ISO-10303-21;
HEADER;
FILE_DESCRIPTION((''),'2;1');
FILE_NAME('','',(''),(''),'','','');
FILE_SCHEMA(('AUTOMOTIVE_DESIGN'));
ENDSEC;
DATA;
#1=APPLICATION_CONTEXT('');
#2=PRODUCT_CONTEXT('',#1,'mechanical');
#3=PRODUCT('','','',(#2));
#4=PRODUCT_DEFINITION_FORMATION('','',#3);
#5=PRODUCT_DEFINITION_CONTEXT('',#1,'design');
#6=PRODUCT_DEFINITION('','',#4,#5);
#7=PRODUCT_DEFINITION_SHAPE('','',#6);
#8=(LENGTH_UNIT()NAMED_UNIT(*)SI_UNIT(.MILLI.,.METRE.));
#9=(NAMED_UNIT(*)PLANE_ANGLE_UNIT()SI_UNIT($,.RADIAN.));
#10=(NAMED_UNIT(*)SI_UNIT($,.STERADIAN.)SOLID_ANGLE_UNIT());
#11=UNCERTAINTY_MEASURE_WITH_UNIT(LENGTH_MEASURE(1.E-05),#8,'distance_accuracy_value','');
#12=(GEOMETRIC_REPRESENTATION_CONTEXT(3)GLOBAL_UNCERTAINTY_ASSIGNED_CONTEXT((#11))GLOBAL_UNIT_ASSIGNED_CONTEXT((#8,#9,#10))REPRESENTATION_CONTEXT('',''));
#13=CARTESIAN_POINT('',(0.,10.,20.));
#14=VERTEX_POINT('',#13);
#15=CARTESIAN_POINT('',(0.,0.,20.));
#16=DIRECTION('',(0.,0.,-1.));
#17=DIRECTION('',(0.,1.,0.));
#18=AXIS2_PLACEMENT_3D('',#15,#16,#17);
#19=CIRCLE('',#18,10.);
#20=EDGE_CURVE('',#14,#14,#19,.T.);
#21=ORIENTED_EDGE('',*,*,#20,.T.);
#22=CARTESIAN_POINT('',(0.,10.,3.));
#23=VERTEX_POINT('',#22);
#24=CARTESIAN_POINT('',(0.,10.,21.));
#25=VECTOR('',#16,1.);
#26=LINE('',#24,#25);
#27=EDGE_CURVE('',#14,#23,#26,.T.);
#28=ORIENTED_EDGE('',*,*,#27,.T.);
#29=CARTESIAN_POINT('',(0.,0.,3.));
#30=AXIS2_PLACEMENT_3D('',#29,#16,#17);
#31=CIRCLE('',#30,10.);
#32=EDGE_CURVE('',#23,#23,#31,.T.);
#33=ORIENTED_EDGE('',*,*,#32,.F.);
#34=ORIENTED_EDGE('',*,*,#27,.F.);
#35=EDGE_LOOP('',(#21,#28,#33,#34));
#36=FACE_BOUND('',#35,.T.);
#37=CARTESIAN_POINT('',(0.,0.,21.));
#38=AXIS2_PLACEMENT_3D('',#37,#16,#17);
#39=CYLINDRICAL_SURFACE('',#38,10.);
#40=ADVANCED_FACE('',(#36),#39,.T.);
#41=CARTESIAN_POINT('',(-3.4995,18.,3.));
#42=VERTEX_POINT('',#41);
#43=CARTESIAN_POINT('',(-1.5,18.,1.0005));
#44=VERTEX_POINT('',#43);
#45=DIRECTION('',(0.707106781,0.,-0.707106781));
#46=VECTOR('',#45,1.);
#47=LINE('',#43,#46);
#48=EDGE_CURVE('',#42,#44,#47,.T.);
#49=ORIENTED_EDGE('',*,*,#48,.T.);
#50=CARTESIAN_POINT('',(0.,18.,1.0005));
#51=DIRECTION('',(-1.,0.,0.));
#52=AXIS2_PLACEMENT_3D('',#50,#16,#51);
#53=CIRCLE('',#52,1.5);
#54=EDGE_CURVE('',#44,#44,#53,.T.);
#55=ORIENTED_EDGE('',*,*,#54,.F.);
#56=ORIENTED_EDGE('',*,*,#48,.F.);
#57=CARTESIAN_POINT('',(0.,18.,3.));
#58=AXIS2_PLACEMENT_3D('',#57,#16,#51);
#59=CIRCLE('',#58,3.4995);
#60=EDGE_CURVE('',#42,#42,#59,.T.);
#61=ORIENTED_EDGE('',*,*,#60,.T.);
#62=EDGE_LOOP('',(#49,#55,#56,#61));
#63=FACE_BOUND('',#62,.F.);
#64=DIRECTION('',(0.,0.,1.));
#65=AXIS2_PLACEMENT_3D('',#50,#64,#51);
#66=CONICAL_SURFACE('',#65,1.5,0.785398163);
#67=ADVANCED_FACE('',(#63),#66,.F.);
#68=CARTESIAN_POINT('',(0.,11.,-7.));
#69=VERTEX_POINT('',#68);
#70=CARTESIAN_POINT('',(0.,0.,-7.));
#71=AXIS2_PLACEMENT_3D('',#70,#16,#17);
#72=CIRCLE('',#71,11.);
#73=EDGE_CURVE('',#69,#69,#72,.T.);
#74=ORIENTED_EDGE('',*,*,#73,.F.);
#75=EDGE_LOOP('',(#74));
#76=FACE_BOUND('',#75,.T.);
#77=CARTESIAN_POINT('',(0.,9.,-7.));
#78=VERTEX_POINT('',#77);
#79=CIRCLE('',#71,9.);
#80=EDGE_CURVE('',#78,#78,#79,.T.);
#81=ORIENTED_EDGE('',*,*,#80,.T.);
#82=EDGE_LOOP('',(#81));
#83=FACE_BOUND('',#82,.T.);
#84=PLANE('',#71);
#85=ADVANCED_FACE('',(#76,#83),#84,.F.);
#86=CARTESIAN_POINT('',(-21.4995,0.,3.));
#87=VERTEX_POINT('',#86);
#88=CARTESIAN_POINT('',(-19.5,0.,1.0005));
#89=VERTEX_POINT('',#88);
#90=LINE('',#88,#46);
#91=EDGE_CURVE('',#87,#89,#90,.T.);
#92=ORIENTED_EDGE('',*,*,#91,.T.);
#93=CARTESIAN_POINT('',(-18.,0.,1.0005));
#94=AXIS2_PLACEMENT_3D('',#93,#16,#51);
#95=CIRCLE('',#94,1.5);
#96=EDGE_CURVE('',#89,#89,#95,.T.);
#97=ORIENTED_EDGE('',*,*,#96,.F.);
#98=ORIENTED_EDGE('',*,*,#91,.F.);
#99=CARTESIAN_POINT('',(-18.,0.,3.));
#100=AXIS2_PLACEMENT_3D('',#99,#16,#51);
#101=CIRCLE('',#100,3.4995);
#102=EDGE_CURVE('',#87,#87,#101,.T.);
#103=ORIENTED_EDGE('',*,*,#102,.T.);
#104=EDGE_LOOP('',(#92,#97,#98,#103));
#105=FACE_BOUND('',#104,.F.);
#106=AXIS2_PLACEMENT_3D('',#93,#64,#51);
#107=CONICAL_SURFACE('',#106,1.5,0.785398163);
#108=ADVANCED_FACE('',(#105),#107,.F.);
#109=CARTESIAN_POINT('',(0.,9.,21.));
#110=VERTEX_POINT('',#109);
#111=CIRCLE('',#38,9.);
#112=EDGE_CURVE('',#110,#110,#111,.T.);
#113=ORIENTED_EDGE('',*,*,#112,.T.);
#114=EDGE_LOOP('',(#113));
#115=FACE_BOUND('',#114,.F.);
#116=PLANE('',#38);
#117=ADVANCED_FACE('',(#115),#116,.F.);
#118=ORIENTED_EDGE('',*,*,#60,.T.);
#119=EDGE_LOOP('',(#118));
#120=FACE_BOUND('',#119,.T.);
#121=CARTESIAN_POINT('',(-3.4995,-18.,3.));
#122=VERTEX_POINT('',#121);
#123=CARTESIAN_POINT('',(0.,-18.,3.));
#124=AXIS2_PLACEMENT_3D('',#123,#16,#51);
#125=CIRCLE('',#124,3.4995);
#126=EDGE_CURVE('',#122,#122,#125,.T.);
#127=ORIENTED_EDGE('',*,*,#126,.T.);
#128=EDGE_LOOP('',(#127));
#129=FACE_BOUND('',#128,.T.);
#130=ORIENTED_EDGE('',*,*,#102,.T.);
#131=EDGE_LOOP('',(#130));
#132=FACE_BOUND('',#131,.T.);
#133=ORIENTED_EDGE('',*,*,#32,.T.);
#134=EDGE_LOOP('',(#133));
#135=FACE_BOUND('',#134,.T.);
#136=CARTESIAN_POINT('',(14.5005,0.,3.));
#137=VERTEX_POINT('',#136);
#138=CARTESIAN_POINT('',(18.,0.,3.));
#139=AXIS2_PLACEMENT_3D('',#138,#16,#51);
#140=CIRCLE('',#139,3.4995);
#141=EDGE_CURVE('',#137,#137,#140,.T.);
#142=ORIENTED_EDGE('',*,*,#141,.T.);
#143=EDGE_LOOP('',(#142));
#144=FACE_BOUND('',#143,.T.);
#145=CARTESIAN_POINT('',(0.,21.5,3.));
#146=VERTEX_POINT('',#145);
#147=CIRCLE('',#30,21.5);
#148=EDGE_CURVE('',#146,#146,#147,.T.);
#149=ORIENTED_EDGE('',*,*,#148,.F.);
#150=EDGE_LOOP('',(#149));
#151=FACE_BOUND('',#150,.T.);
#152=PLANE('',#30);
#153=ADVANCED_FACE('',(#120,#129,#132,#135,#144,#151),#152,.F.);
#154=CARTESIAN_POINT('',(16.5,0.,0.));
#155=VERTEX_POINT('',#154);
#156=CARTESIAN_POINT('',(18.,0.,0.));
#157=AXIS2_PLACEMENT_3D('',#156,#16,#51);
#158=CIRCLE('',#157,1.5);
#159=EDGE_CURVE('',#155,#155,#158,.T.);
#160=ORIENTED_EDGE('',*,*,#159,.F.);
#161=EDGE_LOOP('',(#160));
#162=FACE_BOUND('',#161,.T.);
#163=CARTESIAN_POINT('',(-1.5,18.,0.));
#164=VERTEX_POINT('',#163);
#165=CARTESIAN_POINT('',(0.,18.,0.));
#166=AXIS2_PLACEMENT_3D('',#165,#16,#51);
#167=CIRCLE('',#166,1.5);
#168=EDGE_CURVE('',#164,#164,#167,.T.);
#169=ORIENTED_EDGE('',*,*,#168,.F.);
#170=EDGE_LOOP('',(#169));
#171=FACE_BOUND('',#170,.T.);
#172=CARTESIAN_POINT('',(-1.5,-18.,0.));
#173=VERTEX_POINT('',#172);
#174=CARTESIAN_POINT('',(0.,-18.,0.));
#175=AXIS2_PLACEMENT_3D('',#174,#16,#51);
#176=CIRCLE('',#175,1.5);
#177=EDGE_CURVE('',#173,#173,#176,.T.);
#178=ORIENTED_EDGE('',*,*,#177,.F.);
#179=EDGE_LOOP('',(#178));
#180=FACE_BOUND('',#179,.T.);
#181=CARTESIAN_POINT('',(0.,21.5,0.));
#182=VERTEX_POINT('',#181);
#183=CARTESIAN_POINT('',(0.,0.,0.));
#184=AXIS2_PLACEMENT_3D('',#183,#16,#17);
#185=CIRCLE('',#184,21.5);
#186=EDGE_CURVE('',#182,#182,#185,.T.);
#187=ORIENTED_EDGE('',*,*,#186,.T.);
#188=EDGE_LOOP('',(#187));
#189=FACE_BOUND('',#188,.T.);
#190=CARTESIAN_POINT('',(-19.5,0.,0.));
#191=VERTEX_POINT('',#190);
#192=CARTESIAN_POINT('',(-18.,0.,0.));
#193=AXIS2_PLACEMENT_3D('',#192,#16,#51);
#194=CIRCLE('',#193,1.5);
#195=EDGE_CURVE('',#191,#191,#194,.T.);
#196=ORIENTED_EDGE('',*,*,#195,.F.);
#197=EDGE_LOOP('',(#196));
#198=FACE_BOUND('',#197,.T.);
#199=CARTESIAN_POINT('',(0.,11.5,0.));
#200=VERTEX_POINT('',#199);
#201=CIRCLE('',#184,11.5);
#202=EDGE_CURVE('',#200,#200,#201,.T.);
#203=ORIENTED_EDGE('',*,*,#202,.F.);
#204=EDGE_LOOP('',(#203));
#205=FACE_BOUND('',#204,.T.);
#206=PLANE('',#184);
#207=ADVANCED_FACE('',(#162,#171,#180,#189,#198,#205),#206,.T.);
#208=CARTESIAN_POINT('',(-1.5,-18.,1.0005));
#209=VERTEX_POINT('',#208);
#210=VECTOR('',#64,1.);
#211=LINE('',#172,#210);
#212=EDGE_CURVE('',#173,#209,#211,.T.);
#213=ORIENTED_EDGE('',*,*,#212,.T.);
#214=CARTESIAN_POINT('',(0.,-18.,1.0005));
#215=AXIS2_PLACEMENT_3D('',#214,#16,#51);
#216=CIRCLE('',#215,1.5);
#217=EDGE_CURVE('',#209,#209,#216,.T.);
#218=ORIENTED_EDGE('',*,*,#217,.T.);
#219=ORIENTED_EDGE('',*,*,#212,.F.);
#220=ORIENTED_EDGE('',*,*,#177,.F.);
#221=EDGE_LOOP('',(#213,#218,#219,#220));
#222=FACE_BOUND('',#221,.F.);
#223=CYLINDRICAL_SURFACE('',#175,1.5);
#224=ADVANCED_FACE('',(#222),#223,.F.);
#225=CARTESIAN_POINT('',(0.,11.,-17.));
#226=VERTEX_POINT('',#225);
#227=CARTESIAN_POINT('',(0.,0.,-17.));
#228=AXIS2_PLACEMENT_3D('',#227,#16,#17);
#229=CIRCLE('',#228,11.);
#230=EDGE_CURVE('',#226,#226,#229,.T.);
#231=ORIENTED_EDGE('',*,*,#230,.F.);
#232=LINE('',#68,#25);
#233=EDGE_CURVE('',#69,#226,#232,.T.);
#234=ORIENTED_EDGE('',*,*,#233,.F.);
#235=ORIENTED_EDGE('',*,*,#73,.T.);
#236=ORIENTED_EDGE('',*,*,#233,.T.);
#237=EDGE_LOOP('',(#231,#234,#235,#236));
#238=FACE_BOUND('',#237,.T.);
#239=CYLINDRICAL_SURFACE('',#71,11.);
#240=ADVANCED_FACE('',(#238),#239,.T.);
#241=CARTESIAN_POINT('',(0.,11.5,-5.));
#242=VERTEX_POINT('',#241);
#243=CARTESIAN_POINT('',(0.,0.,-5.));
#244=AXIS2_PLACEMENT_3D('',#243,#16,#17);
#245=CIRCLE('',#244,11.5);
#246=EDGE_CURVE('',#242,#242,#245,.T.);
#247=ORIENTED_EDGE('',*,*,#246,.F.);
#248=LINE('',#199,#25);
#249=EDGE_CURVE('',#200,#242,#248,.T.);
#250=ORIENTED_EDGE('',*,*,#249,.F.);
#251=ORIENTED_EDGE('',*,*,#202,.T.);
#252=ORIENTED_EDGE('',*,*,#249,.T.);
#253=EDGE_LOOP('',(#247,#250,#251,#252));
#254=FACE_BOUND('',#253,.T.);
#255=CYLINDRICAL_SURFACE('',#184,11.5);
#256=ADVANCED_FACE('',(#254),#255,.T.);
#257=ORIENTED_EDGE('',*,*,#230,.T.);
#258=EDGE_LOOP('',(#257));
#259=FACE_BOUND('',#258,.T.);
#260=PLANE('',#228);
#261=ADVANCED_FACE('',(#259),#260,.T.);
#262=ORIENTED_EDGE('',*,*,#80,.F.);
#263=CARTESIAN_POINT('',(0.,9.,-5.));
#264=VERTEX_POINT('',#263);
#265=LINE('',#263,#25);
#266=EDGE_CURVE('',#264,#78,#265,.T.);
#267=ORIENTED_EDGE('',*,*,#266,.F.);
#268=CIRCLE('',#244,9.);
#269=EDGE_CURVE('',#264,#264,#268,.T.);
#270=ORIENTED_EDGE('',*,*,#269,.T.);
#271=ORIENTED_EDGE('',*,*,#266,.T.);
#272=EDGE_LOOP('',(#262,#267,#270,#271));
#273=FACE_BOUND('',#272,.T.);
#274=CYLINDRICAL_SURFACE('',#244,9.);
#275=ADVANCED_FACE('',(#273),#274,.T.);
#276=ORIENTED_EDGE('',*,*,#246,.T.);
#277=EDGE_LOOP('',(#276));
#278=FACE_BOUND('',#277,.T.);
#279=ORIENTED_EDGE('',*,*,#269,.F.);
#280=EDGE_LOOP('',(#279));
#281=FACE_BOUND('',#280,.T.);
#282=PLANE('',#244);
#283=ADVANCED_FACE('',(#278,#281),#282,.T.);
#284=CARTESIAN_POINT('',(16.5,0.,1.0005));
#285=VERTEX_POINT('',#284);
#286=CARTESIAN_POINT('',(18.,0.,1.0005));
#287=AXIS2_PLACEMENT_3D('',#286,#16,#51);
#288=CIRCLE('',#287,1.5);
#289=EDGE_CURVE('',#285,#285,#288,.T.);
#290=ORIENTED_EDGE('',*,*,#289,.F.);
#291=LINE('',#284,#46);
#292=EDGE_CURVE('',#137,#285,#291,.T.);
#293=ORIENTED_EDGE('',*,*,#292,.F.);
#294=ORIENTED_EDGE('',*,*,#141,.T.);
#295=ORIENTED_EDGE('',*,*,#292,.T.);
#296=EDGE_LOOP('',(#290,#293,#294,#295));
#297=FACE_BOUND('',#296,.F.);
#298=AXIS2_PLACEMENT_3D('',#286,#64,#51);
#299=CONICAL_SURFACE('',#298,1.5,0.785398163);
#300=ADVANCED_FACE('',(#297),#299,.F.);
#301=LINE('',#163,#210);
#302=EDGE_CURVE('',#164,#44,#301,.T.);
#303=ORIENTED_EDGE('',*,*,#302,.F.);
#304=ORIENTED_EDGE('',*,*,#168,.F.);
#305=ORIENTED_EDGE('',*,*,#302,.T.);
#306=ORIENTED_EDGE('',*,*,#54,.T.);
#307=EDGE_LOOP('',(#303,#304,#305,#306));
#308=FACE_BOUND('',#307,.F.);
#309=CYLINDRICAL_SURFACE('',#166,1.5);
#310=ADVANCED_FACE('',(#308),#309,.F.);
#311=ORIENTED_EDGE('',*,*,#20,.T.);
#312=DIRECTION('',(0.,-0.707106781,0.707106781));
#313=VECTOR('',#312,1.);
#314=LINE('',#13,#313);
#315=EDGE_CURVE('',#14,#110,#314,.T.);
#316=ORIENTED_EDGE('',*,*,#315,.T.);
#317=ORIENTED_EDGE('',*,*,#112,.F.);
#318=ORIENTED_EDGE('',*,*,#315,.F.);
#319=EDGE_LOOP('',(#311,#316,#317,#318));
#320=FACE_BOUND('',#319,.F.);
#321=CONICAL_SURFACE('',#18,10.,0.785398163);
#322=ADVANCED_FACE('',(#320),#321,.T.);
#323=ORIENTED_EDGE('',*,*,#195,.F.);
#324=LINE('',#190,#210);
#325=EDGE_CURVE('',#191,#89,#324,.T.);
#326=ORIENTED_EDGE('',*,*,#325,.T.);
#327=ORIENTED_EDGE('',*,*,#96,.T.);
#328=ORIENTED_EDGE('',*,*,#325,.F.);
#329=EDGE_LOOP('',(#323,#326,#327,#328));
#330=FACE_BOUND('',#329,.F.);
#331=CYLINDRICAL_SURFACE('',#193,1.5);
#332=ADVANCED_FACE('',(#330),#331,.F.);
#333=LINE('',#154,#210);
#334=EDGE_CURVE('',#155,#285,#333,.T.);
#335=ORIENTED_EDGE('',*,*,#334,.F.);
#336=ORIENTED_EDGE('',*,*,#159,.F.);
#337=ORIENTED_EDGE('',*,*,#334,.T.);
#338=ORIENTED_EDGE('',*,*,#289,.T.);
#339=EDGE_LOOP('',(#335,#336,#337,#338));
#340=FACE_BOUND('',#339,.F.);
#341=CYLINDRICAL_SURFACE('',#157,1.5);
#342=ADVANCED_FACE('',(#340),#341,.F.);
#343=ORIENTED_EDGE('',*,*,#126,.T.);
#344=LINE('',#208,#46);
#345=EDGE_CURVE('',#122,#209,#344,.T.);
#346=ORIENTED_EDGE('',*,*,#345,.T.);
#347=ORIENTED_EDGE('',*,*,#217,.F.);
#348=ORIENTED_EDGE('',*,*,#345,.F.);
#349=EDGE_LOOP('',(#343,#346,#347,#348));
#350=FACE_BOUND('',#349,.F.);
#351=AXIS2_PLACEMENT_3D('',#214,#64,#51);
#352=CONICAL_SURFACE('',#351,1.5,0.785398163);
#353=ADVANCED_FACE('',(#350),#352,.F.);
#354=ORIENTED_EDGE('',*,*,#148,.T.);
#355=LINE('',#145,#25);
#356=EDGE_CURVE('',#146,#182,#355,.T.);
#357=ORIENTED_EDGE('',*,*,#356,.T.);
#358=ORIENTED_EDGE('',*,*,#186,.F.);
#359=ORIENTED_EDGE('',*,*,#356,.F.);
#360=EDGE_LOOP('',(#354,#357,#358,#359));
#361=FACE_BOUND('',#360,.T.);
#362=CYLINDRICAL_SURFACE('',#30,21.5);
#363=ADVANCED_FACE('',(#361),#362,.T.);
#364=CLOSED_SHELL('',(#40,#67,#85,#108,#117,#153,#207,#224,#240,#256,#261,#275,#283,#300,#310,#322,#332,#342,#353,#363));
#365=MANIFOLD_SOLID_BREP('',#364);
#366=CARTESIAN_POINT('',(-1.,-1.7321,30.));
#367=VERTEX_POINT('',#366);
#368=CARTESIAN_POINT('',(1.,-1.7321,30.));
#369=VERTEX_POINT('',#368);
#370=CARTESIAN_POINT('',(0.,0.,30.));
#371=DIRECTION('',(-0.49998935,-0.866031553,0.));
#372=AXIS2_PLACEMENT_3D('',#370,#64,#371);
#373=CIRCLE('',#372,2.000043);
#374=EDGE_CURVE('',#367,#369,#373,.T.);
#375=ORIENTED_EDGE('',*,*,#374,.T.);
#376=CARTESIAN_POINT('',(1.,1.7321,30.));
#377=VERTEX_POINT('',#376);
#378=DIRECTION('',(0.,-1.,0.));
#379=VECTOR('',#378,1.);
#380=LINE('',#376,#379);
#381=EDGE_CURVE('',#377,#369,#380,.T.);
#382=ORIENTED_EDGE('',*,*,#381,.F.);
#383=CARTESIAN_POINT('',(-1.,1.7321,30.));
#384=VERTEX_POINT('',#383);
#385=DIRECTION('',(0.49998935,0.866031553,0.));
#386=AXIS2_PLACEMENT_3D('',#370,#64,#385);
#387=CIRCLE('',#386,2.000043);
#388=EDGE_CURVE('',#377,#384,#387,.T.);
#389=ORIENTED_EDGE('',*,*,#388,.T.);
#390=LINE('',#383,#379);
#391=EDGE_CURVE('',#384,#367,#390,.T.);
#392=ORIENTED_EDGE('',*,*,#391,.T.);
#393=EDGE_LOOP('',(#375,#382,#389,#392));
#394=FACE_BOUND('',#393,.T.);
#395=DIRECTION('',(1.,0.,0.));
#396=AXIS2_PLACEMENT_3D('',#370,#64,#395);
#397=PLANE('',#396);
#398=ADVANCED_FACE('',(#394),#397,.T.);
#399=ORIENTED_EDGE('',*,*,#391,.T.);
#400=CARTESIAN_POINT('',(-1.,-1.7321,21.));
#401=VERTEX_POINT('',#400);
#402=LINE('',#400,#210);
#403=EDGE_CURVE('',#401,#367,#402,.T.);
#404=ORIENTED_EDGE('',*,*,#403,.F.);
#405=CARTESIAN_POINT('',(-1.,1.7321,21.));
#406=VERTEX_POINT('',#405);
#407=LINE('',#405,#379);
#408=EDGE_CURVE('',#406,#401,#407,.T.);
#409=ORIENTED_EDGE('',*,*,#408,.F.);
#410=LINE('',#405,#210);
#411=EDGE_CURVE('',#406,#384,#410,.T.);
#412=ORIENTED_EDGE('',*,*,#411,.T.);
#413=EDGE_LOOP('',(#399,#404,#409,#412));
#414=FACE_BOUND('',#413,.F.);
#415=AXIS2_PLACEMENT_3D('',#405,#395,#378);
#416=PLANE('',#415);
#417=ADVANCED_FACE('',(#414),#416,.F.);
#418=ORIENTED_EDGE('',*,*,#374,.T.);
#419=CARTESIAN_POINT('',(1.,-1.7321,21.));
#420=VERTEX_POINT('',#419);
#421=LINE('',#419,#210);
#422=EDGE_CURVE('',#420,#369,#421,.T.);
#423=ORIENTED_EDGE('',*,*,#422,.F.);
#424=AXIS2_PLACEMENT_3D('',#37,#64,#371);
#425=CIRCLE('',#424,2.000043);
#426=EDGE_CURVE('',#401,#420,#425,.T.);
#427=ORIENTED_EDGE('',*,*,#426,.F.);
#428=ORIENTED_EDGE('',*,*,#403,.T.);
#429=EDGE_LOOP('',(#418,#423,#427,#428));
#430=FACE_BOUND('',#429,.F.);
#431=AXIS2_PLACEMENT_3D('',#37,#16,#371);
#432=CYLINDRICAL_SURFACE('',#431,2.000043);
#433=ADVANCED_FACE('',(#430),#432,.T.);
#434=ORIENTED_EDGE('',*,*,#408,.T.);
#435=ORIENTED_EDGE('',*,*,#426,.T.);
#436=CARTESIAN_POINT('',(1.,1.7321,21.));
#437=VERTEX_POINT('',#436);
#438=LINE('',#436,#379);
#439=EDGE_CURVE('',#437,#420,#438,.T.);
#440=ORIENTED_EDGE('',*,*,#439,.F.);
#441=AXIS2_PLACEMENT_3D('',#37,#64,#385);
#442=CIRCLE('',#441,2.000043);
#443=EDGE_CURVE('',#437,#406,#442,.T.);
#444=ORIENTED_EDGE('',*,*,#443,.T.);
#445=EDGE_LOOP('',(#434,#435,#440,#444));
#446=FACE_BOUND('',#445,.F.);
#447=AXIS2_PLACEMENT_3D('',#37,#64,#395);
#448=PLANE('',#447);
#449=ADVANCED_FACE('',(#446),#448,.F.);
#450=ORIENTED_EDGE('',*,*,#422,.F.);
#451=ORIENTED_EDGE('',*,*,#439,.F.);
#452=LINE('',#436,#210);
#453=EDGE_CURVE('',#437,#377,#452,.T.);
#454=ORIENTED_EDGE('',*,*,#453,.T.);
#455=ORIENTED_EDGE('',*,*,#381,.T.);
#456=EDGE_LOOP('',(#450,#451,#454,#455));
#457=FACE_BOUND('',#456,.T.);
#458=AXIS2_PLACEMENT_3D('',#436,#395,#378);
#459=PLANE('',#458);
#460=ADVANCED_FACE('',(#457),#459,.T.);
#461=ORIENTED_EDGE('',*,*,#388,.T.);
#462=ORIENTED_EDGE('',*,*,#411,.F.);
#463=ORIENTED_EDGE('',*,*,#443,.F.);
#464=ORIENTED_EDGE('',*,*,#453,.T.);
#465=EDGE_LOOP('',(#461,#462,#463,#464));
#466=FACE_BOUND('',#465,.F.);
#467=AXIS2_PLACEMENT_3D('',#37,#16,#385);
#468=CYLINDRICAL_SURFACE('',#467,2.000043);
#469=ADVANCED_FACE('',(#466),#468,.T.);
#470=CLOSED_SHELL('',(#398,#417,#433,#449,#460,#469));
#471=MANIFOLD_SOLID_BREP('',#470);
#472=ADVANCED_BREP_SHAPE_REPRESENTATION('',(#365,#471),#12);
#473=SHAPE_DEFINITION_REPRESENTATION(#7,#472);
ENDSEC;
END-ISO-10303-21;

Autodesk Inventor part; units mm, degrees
ref_plane "YZ Plane" through (0, 0, 0) normal (1, 0, 0) x (0, 1, 0)
ref_plane "XZ Plane" through (0, 0, 0) normal (0, 1, 0) x (-1, 0, 0)
ref_plane "XY Plane" through (0, 0, 0) normal (0, 0, 1) x (1, 0, 0)
sketch "BodySketch" plane through (0, 0, 0) normal (1, 0, 0) x (0, 1, 0)
  line L0 (11, -17) -> (0, -17)
  line L1 (0, -17) -> (0, 21)
  line L2 (0, 25.0354) -> (0, 0) construction
  line L3 (10, 3) -> (21.5, 3)
  line L4 (21.5, 3) -> (21.5, 0)
  line L5 (21.5, 0) -> (11.5, 0)
  line L6 (11.5, -5) -> (9, -5)
  line L7 (9, -5) -> (9, -7)
  line L8 (9, -7) -> (11, -7)
  line L9 (10, 21) -> (10, 3)
  line L10 (11.5, 0) -> (11.5, -5)
  line L11 (11, -7) -> (11, -17)
  line L12 (0, 0) -> (51.0902, 0) construction
  line L13 (10, 21) -> (0, 21)
  dimension "d19" = 10
  dimension "d20" = 21.5
  dimension "d21" = 11.5
  dimension "d22" = 2
  dimension "d23" = 3
  dimension "d24" = 2
  dimension "d26" = 5
  dimension "d37" = 10
  dimension "d39" = 11
  dimension "d40" = 18
revolve "Body" add sketch "BodySketch" angle 360 about axis through (0, 0, 25.0354) along (0, 0, -1)
sketch "FasteningHoleSketch" plane through (0, 0, 0) normal (0, 0, -1) x (-1, 0, 0)
  circle A0 centre (0, 0) radius 11.5 projected
  circle A1 centre (0, 0) radius 21.5 projected
  circle A2 centre (0, 18) radius 1.5
  line L0 (0, 0) -> (0, 24.6979) construction
  circle A3 centre (18, 0) radius 1.5
  circle A4 centre (0, -18) radius 1.5
  circle A5 centre (-18, 0) radius 1.5
  dimension "Motor_FasteningHole_Size" = 3
  dimension "Motor_FasteningHole_DistanceToBorder" = 2
  dimension "d32" = 360
extrude "FasteningHole" cut sketch "FasteningHoleSketch" against normal up to surface (3 mm away) contours A2 | A3 | A4 | A5
chamfer "Chamfer1" distance 1 angle 45 1 edges at (0, -10, 21)
chamfer "Chamfer2" distance 2 angle 45 4 edges at (1.5, 18, 3) (19.5, 0, 3) (-16.5, 0, 3) (1.5, -18, 3)
sketch "Sketch4" plane through (0, 0, 21) normal (0, 0, 1) x (1, 0, 0)
  circle A0 centre (0, 0) radius 9 projected
  line L0 (1, 1.7321) -> (1, -1.7321)
  line L1 (-1, 1.7321) -> (-1, -1.7321)
  arc A1 (1, 1.7321) -> (-1, 1.7321) centre (0, 0) ccw
  arc A2 (-1, -1.7321) -> (1, -1.7321) centre (0, 0) ccw
  dimension "d48" = 2
  dimension "d49" = 2
  dimension "d50" = 2
extrude "Extrusion3" add sketch "Sketch4" along normal blind 9 separate body contours L0 A2 L1 A1
equation "\"Motor_WheelInterface_Diameter\" = 30"
equation "\"Motor_WheelInterface_Length\" = 27"
equation "\"Motor_FasteningHole_DistanceToCenter\" = 18"
properties part number "Motor" material "Titanium"
